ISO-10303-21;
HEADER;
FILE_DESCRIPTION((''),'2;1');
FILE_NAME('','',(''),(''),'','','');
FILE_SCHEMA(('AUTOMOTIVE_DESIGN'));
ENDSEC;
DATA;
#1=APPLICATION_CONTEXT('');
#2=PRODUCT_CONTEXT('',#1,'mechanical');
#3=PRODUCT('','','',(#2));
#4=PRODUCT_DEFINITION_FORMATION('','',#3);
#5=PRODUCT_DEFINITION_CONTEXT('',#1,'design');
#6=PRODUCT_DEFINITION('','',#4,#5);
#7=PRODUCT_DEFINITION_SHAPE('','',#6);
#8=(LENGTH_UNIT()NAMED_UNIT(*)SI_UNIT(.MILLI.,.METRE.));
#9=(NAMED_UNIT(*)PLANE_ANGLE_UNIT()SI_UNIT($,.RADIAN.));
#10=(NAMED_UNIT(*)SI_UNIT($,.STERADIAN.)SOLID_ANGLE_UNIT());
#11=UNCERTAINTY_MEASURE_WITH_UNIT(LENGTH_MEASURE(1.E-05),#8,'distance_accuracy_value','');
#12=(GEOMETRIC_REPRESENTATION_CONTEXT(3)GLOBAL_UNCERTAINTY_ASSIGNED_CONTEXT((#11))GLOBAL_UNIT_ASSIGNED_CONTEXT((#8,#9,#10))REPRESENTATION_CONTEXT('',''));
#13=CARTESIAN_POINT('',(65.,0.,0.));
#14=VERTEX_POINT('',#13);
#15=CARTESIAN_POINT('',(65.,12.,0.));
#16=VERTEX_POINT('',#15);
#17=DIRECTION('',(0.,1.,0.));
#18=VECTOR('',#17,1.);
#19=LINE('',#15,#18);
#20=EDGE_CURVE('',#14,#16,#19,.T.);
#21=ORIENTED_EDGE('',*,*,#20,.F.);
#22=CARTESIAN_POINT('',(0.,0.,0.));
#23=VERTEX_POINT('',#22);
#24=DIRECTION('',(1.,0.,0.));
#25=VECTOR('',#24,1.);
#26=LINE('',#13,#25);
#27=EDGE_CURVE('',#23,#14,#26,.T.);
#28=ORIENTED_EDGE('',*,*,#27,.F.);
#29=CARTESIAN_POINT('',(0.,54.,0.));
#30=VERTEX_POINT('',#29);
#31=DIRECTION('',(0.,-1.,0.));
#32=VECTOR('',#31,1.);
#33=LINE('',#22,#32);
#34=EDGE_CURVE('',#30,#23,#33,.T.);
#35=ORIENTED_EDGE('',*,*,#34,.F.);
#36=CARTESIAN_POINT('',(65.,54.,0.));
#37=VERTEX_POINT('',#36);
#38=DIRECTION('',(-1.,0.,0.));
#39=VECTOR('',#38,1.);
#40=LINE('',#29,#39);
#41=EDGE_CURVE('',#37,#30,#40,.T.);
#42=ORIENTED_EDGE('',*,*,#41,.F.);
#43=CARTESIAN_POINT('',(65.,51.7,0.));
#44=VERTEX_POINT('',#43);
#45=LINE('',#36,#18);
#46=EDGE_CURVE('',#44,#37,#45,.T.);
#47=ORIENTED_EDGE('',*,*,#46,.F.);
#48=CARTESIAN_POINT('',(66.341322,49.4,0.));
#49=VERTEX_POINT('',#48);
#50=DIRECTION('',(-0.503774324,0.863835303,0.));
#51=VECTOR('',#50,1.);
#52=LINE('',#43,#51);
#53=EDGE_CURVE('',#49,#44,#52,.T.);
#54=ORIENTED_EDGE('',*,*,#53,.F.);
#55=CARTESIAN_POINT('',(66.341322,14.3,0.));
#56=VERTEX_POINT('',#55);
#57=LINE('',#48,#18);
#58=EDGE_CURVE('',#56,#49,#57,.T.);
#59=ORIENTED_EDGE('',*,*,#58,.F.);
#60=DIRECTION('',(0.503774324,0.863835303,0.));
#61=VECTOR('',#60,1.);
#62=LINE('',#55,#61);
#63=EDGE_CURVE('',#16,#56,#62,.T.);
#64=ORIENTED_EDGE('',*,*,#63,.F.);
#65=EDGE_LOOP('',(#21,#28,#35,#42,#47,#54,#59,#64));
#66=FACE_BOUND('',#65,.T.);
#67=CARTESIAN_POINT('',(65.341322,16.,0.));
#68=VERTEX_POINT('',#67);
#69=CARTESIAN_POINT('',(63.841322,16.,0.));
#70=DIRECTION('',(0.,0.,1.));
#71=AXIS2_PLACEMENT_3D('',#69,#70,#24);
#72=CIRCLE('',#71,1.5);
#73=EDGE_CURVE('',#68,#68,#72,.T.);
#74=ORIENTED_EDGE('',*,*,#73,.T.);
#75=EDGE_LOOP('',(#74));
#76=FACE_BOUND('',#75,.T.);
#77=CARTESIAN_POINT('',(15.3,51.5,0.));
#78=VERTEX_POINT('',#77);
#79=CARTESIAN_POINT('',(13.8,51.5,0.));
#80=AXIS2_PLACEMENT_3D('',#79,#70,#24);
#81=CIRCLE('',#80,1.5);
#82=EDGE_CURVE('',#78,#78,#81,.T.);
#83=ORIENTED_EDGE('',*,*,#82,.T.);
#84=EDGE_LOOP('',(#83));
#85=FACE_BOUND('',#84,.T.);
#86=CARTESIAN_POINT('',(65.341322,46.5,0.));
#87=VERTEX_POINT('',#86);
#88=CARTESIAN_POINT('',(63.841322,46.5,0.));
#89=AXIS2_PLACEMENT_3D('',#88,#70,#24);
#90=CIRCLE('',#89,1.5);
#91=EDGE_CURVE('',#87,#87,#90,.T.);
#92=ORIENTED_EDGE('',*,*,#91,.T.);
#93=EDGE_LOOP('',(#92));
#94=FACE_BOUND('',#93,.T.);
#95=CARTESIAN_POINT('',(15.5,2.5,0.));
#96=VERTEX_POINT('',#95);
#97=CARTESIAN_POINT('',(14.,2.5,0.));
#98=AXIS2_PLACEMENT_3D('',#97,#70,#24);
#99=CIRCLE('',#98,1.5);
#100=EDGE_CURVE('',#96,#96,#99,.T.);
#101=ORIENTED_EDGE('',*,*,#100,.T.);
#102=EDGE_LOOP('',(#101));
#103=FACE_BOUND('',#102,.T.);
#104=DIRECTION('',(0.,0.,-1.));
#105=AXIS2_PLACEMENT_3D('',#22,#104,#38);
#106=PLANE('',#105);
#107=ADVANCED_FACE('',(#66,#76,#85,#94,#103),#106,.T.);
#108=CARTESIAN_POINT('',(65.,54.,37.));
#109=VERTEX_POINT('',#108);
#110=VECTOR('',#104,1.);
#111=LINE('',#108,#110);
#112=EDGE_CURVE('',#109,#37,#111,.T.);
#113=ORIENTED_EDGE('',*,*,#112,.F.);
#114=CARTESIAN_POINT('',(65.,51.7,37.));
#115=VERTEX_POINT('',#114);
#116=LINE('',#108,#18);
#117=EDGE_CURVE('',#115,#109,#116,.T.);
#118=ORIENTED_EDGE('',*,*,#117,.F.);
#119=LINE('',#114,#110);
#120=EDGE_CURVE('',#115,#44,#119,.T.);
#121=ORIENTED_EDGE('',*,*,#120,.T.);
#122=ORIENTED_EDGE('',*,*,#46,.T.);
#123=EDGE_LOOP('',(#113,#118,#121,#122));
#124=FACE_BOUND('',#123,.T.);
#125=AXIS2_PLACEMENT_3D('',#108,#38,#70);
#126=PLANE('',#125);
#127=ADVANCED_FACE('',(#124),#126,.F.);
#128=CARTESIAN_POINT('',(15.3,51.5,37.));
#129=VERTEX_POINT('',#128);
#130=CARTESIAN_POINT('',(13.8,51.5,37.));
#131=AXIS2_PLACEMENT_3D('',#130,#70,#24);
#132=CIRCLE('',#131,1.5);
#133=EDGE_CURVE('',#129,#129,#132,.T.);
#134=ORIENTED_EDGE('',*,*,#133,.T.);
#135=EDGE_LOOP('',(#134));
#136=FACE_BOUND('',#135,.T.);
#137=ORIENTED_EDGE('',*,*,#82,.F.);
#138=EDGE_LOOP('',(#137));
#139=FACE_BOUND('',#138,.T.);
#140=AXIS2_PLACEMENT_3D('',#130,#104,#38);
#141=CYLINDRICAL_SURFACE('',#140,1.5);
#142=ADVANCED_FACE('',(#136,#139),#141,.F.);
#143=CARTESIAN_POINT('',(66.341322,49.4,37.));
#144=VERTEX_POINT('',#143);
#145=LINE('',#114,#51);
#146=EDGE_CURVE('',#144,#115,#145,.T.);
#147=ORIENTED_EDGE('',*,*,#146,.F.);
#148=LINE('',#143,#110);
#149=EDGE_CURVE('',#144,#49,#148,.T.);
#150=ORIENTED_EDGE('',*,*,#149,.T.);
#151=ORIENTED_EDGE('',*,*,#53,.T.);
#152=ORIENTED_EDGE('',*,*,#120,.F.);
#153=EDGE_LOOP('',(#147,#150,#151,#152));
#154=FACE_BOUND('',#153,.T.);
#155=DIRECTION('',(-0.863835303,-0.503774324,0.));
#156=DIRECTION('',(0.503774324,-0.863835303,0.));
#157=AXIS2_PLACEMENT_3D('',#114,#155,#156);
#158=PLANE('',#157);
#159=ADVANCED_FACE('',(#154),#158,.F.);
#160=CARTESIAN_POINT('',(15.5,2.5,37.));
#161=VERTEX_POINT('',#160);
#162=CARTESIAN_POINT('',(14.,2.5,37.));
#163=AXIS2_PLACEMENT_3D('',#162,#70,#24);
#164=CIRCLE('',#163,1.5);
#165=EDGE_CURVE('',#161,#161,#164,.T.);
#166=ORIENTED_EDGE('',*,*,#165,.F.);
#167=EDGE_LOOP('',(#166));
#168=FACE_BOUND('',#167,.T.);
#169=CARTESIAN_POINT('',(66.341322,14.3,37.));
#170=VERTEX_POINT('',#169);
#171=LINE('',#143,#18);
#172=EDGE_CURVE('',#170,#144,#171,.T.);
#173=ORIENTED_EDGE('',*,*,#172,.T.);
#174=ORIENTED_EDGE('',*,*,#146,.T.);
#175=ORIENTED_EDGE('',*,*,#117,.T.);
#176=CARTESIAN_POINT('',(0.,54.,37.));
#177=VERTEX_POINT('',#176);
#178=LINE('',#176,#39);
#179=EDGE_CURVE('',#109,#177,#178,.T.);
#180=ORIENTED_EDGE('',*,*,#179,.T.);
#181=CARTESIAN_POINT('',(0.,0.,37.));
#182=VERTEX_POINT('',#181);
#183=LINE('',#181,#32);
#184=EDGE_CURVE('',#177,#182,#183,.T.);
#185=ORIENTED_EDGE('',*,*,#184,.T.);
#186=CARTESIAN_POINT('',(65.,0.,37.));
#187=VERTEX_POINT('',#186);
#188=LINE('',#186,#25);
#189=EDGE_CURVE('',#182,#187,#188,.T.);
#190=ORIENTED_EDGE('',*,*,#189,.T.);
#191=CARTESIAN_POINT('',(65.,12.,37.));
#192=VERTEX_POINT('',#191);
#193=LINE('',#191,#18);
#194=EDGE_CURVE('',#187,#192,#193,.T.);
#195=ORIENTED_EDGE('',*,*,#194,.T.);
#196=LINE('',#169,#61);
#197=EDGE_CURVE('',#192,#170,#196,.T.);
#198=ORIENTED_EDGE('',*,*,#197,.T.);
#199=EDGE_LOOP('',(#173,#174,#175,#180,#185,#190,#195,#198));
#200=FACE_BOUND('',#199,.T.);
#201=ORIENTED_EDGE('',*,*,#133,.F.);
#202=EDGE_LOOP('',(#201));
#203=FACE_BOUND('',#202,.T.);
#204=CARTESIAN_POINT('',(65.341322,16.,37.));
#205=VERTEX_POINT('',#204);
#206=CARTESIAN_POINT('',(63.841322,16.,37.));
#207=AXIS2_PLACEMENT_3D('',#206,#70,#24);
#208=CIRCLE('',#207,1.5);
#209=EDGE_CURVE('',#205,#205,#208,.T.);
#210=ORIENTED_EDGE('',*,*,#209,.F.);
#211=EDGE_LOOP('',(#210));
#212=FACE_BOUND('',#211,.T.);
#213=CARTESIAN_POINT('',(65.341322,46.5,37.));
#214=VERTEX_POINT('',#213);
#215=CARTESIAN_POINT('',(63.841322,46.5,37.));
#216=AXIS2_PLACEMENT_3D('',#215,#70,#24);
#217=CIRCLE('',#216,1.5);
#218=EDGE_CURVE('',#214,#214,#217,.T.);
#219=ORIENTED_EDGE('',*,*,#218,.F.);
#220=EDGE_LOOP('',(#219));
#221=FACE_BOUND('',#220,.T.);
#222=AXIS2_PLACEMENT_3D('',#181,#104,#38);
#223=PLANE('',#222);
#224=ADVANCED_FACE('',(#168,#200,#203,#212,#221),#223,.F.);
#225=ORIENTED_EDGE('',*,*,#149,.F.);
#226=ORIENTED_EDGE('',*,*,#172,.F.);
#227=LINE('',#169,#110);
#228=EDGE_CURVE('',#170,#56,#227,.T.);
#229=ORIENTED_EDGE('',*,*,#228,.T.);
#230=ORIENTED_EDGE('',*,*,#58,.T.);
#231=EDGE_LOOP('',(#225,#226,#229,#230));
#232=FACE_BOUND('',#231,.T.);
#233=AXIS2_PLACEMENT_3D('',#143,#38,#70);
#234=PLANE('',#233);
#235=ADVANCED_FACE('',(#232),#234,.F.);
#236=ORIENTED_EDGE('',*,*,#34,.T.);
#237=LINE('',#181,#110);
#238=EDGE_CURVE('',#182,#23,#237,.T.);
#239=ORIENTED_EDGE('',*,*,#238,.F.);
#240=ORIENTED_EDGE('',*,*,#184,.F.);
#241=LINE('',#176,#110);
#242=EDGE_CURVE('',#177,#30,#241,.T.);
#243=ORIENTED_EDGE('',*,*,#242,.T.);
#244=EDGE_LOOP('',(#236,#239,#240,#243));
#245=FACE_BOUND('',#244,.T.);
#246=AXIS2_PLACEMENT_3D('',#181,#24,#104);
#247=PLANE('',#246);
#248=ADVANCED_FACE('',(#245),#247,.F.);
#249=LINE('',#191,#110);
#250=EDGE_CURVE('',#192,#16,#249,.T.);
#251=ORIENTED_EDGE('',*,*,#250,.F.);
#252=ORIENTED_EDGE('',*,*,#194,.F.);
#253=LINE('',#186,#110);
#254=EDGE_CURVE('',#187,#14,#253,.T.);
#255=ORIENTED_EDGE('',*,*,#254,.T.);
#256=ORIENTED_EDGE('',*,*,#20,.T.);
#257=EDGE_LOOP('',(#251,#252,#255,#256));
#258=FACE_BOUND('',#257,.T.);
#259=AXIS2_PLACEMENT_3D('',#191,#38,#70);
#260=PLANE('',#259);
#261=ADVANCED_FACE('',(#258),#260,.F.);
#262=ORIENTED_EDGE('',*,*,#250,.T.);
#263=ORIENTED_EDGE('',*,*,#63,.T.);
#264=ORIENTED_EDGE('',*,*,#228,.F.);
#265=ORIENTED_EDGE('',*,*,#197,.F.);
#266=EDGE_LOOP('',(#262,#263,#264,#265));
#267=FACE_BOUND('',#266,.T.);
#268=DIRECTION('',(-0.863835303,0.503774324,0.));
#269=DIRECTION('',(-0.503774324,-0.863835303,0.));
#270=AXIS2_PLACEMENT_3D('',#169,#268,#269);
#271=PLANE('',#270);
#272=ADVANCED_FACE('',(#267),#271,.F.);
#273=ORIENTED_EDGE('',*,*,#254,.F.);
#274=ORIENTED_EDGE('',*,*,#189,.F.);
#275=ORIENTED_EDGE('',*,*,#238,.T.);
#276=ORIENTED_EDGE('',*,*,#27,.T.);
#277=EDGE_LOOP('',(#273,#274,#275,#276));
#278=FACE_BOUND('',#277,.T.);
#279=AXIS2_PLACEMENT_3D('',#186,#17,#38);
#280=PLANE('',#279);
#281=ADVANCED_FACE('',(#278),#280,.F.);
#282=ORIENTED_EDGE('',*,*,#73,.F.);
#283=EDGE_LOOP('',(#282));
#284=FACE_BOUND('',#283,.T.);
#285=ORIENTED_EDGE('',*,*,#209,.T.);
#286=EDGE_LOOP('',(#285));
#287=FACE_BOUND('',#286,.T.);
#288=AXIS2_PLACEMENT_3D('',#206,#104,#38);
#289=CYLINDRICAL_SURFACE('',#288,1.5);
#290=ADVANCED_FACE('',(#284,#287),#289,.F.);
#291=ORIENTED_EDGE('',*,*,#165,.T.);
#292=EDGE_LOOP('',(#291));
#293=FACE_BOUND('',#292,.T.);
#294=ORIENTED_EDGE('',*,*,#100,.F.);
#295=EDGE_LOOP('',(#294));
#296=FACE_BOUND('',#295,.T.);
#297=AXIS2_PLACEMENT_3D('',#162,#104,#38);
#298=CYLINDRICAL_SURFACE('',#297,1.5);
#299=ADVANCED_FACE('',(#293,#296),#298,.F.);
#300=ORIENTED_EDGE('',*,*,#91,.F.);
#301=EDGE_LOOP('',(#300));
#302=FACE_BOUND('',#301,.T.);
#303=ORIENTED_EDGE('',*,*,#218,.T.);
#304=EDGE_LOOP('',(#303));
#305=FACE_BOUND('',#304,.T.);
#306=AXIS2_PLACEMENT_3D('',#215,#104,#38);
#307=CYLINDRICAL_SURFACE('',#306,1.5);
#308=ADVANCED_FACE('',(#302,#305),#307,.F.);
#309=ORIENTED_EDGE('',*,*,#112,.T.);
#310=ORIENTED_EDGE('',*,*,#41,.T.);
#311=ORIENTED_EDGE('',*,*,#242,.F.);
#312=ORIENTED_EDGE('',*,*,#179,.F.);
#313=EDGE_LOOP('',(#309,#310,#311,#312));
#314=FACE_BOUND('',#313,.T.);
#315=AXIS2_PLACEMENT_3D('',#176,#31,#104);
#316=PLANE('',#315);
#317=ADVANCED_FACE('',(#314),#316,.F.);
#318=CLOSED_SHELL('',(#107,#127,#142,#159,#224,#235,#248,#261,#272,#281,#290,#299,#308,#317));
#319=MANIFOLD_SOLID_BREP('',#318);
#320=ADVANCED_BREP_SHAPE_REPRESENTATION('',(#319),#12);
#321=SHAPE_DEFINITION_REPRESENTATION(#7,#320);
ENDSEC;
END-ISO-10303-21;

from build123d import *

# Parameters (mm, degrees)
SKETCH1_R           = 1.5
BOSS_EXTRUDE1_DEPTH = 37


with BuildPart() as part:
    # Sketch1 → Boss-Extrude1 (new body)
    with BuildSketch(Plane.XY):
        Polygon((0, 0), (0, 54), (65, 54), (65, 51.7), (66.341321595, 49.4), (66.341321595, 14.3), (65, 12), (65, 0), align=None)
        with Locations((13.8, 51.5)):
            Circle(SKETCH1_R, mode=Mode.SUBTRACT)
        with Locations((63.841321595, 46.5)):
            Circle(SKETCH1_R, mode=Mode.SUBTRACT)
        with Locations((63.841321595, 16)):
            Circle(SKETCH1_R, mode=Mode.SUBTRACT)
        with Locations((14, 2.5)):
            Circle(SKETCH1_R, mode=Mode.SUBTRACT)
    extrude(amount=BOSS_EXTRUDE1_DEPTH)


solid = part.part
